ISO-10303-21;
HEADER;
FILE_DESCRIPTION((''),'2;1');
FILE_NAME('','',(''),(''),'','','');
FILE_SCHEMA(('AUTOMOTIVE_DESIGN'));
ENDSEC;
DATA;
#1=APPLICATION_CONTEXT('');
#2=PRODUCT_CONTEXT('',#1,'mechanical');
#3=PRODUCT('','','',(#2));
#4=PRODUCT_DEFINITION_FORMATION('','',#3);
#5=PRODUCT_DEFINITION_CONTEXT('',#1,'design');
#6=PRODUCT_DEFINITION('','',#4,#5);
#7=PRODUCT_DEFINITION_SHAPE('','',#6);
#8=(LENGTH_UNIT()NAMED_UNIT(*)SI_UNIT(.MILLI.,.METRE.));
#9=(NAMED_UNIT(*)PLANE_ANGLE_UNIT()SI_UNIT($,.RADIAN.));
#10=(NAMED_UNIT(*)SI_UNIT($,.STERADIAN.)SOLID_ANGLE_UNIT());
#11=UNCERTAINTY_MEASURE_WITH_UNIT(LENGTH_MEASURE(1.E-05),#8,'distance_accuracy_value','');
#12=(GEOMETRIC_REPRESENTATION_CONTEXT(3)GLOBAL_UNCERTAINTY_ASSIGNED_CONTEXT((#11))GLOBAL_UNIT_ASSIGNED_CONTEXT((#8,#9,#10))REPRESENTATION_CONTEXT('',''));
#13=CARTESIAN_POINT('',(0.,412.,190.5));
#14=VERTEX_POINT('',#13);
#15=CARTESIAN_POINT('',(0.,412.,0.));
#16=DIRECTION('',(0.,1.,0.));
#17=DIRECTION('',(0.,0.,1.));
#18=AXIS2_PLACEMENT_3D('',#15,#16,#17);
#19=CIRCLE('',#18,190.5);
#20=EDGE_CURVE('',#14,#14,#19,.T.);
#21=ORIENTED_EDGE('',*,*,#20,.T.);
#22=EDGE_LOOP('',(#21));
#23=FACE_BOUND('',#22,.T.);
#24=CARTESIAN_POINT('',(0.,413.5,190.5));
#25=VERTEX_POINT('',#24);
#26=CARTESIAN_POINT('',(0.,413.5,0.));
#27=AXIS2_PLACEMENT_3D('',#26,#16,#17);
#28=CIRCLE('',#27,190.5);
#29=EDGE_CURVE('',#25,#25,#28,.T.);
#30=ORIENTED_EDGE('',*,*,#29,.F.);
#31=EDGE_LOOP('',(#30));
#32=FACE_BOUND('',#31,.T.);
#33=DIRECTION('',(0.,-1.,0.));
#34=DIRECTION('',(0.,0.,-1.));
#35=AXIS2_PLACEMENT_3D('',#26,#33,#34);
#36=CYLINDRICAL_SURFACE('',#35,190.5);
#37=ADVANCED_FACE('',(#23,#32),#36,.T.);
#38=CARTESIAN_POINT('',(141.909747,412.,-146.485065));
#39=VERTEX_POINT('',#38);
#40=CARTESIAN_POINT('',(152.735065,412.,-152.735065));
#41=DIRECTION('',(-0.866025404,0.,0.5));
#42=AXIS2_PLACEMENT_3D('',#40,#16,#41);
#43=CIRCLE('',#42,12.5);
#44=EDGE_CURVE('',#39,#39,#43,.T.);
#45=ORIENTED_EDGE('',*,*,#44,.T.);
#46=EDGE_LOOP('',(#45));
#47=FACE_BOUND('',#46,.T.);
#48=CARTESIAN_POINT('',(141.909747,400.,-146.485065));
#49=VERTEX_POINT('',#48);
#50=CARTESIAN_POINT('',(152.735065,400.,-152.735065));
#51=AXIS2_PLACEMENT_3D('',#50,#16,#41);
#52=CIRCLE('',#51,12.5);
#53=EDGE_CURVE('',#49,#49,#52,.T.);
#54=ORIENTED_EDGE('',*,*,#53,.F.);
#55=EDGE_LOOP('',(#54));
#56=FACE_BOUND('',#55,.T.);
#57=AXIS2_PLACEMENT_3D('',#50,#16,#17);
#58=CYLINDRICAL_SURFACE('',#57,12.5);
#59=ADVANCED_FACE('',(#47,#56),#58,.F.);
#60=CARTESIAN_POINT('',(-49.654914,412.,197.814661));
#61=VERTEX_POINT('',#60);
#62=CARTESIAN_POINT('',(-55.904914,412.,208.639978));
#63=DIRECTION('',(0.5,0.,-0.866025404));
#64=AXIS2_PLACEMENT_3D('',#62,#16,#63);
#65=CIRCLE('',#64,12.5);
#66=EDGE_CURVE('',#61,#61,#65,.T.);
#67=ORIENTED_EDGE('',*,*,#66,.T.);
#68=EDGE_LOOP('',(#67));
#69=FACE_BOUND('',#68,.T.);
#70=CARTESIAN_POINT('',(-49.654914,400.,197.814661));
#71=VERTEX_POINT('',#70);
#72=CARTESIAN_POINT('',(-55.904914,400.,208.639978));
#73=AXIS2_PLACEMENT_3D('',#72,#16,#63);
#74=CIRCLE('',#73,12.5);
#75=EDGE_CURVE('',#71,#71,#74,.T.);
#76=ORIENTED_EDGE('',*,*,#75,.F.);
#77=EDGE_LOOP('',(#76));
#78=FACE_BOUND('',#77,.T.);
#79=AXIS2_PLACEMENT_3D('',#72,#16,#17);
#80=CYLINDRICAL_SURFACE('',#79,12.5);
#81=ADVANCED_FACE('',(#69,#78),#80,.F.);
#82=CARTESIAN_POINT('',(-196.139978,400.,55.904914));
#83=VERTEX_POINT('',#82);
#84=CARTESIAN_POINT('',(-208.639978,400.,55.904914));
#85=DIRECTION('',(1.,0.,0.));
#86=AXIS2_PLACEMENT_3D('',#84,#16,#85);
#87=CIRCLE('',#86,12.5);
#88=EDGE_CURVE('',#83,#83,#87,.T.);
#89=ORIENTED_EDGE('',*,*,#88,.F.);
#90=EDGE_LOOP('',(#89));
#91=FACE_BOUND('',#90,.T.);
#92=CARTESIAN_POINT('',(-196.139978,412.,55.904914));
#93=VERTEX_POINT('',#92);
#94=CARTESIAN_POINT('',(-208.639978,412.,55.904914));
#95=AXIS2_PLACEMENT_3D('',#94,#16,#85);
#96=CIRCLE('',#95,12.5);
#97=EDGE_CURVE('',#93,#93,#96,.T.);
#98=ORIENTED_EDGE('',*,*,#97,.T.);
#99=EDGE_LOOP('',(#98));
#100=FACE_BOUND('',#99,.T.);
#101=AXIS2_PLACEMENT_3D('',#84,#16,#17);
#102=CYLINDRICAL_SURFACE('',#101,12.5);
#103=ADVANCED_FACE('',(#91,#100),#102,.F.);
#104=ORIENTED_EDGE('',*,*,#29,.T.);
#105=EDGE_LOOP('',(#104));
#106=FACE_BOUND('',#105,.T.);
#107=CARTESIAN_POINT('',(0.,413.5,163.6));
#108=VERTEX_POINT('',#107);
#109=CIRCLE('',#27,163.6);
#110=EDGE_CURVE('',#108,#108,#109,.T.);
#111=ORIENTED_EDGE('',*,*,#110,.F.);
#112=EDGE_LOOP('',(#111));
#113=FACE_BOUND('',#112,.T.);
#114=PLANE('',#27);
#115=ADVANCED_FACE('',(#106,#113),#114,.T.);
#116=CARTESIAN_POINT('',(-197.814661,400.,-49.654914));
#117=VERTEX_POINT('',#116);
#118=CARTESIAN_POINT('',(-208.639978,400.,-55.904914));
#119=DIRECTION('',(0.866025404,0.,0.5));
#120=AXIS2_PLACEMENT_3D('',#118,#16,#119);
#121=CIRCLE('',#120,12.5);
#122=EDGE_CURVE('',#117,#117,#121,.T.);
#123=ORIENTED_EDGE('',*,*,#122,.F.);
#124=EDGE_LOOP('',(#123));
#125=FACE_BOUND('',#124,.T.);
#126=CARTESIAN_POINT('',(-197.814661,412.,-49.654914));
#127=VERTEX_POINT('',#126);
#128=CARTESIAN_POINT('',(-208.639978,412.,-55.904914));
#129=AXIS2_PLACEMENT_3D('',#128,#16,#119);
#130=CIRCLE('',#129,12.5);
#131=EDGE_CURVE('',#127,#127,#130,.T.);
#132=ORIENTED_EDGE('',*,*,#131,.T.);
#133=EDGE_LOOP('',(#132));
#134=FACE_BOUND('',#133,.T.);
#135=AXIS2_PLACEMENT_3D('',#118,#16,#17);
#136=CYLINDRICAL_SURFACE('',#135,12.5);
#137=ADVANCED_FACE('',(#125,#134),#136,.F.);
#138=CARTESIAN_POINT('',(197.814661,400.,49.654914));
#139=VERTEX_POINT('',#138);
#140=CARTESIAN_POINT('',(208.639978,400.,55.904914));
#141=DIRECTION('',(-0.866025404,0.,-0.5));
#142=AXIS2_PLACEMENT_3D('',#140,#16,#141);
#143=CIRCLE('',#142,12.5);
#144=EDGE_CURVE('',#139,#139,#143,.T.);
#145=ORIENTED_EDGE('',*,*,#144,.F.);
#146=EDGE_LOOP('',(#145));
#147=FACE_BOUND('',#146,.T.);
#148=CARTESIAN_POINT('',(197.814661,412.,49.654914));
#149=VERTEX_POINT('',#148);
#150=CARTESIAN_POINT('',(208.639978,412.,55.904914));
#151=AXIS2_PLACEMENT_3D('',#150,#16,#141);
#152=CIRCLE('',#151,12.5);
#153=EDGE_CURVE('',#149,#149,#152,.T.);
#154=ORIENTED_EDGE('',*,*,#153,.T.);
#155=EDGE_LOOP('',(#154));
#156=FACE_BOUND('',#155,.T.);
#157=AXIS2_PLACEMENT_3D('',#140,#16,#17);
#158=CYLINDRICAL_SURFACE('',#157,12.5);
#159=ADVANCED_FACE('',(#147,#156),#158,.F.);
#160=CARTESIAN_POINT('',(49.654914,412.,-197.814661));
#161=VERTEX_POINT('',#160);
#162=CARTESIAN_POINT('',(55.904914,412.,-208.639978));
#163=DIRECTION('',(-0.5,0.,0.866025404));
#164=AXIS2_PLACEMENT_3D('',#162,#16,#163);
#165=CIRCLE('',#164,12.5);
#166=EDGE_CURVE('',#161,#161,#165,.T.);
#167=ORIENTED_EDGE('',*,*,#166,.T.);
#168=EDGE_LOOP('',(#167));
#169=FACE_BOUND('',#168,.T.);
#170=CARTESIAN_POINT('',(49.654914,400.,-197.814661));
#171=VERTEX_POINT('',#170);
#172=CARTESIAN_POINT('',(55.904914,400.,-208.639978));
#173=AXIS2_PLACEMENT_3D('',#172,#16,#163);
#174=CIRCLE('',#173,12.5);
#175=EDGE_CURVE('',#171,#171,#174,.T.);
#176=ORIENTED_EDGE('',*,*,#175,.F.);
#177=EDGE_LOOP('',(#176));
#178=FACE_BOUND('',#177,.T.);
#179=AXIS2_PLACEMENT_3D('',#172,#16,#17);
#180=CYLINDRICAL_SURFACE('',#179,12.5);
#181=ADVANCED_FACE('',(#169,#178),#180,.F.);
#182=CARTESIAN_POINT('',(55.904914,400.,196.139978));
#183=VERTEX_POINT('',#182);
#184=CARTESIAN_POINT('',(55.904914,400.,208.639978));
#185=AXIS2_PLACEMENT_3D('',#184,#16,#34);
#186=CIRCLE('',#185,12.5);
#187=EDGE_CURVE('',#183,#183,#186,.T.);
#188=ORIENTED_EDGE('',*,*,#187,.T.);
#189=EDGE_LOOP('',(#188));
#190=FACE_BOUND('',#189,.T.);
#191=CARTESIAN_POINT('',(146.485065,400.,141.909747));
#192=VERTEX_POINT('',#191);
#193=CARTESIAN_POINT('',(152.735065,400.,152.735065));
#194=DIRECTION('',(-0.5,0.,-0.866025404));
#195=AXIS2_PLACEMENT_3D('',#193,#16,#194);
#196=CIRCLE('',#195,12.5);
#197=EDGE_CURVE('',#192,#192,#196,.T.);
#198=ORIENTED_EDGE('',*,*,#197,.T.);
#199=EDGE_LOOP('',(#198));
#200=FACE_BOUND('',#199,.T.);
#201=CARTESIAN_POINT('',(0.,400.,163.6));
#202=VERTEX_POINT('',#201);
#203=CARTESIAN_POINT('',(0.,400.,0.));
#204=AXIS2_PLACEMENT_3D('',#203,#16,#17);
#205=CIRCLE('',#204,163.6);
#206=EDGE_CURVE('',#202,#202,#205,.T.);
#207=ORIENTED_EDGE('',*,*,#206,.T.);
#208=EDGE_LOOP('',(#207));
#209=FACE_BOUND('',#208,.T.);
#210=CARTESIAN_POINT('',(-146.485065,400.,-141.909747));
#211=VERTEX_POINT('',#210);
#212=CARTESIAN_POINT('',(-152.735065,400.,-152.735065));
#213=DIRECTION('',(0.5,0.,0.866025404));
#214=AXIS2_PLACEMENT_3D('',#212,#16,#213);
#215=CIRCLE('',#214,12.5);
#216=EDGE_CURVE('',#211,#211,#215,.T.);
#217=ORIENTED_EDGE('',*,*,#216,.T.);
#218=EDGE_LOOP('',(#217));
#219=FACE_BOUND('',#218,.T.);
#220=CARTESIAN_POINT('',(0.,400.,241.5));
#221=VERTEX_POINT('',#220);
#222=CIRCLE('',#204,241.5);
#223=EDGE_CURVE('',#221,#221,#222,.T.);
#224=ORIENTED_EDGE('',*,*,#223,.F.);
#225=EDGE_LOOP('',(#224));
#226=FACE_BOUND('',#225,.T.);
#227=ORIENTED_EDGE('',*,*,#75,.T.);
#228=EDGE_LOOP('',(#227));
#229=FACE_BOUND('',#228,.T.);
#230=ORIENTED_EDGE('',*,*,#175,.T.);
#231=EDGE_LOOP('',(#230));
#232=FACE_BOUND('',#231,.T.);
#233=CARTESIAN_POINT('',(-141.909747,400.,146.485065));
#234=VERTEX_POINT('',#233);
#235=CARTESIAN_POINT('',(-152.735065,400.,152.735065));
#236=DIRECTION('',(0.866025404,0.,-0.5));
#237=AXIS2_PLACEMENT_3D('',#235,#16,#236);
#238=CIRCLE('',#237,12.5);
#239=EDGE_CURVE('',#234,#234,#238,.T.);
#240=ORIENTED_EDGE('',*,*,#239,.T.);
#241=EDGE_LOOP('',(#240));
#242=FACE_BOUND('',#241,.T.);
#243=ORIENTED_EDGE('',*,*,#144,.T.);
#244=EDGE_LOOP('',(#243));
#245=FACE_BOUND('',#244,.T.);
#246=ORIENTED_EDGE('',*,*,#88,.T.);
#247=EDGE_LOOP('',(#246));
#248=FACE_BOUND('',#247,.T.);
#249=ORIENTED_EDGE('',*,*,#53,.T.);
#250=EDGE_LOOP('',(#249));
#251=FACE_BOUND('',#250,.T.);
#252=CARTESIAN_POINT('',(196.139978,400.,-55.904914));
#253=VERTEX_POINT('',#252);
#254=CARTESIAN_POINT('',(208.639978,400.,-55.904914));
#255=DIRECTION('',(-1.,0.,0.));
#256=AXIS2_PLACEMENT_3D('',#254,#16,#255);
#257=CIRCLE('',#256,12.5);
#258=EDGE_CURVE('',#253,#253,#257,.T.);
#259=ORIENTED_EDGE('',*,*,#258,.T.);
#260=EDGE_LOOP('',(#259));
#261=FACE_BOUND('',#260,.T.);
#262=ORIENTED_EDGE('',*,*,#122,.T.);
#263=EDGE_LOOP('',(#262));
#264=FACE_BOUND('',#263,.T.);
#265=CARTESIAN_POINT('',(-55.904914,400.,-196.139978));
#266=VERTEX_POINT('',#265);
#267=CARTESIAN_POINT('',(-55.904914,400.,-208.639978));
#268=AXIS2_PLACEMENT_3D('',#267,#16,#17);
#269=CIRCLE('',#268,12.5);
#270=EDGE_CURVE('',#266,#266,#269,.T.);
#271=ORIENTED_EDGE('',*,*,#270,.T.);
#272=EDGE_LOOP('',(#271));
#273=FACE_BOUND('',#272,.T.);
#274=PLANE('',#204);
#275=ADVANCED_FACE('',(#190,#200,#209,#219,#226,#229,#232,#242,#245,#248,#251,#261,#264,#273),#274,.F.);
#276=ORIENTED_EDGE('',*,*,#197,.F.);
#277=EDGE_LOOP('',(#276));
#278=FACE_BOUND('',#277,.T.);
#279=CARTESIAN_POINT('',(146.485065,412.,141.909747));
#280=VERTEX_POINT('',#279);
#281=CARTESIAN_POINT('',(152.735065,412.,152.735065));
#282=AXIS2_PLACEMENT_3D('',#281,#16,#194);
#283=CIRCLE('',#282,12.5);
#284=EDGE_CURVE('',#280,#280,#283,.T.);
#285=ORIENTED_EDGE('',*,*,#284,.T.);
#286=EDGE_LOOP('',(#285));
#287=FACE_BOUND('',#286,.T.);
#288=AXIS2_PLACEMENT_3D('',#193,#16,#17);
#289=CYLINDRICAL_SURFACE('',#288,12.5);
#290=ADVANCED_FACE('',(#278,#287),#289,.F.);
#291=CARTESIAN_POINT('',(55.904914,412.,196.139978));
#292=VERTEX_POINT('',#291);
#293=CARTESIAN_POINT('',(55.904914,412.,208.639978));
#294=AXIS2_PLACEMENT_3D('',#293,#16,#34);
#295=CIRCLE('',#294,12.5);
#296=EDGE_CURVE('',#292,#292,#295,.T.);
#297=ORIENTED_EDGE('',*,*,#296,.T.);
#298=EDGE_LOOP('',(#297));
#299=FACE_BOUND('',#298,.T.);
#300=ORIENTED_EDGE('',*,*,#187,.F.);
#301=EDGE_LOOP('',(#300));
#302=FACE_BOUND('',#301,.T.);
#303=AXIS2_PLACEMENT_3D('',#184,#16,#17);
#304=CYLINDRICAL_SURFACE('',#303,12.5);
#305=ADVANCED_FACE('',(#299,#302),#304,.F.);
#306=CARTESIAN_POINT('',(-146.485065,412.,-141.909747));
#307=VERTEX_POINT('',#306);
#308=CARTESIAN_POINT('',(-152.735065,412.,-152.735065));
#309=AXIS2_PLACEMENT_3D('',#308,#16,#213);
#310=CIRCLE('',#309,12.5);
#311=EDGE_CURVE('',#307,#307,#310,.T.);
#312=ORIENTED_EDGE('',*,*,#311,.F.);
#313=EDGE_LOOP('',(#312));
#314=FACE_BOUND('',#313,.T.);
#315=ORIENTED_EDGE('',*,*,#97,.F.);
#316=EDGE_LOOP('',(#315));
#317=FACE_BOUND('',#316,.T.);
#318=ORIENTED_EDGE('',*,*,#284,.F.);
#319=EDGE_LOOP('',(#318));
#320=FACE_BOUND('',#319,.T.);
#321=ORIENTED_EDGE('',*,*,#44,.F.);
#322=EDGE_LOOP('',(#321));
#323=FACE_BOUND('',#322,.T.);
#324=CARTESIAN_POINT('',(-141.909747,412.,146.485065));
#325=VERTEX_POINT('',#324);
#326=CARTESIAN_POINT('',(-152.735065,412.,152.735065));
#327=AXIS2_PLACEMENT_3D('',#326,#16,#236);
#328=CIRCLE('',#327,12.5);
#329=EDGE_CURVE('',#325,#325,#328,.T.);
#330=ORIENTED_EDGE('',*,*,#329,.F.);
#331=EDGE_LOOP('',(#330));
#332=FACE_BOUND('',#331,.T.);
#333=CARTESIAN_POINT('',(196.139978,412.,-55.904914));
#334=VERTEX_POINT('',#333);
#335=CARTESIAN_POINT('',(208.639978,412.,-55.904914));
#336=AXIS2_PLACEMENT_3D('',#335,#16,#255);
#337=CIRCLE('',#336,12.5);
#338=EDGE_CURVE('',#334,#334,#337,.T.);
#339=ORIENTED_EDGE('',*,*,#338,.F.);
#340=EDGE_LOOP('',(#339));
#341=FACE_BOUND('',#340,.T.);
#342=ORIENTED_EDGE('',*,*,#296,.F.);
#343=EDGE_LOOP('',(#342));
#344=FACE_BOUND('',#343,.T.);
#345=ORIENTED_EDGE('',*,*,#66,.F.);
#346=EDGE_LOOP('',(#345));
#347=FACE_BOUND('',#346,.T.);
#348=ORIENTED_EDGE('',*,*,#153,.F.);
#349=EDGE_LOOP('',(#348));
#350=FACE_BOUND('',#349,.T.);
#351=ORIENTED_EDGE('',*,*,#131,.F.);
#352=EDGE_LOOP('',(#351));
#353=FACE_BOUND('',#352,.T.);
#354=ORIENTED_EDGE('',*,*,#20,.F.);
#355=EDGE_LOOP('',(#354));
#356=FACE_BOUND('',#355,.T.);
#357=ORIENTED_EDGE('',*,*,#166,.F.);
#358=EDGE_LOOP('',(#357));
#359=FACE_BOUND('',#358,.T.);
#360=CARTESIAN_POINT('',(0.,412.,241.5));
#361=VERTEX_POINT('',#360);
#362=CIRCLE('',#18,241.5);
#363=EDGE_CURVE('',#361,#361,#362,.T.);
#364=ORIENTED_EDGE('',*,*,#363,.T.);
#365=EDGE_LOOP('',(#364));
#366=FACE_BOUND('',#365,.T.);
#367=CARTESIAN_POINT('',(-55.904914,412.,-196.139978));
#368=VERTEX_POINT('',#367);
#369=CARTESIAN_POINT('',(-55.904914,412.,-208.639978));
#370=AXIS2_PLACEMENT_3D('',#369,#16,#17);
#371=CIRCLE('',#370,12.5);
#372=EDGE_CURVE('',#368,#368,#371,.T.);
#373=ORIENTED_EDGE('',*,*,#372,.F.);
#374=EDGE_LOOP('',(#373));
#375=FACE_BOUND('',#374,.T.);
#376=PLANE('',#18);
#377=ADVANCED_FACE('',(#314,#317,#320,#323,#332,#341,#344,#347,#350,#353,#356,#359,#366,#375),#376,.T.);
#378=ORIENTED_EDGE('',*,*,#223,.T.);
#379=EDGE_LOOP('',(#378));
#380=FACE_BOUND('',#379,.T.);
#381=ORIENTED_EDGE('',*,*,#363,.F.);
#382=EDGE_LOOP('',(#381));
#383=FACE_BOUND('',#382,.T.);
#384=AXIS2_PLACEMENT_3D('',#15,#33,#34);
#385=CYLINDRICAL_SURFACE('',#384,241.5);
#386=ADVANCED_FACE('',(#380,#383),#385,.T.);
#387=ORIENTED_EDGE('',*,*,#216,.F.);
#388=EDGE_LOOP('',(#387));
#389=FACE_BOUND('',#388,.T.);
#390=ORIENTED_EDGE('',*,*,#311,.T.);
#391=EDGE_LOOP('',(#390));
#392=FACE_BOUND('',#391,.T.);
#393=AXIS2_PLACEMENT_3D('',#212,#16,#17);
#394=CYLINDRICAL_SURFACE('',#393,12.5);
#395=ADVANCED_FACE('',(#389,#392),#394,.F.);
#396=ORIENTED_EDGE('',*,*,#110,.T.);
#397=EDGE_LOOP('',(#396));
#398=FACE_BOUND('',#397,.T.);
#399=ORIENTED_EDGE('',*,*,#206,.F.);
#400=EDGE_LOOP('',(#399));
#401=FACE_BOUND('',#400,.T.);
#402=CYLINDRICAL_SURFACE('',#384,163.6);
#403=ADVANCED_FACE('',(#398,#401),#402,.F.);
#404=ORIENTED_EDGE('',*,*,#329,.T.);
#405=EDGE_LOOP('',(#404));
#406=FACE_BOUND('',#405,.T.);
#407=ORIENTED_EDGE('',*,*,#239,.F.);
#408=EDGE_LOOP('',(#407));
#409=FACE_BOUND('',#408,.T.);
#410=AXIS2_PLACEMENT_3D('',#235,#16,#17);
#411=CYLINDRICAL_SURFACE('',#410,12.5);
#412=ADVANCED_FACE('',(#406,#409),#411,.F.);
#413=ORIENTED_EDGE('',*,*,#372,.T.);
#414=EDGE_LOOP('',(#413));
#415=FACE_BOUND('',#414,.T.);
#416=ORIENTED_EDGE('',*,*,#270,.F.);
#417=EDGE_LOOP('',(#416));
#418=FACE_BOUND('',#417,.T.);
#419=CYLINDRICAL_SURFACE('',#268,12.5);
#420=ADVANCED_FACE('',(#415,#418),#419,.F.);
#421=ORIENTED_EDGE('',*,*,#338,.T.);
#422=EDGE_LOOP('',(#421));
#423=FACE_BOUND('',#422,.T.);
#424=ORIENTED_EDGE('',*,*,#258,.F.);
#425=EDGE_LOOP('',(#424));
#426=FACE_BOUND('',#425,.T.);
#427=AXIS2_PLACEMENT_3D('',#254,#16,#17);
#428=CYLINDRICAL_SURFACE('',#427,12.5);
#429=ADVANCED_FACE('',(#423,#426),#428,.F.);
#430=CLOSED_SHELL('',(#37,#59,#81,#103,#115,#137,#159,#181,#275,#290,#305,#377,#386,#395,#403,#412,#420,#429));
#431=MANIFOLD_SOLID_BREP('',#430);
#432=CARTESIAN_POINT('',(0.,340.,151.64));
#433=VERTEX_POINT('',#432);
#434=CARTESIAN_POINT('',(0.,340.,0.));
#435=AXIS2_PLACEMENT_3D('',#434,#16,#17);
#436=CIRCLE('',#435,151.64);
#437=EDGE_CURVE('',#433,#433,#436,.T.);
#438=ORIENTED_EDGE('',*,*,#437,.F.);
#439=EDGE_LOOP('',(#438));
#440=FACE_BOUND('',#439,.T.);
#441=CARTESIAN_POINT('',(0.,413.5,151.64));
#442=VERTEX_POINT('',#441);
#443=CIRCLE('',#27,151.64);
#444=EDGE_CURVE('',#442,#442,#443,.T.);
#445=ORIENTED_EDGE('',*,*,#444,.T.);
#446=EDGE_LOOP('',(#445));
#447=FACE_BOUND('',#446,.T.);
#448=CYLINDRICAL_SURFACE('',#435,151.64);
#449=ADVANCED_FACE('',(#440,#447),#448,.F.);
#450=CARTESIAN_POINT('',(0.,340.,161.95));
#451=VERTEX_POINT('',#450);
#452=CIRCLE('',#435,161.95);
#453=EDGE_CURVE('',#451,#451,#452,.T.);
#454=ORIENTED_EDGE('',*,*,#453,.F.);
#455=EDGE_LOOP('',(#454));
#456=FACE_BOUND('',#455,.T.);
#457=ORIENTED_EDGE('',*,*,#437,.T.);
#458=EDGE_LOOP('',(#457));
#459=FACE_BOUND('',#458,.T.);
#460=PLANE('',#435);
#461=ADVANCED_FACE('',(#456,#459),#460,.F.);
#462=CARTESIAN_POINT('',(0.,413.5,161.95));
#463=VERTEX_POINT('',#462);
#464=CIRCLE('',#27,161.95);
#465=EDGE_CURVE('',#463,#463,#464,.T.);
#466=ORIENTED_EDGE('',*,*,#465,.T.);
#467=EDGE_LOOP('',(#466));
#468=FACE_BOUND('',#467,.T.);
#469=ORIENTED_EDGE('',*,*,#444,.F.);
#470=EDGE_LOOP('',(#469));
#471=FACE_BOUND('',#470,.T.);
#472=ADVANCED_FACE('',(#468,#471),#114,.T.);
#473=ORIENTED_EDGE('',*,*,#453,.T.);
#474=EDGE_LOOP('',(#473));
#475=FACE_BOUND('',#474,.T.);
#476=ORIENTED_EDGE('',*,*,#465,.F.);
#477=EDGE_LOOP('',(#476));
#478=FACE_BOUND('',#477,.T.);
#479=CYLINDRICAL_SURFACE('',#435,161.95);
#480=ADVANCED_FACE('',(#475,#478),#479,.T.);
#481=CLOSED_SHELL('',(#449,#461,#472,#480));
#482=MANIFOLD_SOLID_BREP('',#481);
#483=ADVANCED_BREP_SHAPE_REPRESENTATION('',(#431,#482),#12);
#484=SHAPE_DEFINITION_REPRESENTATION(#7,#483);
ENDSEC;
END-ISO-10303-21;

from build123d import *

# Parameters (mm, degrees)
SKETCH9_R           = 241.5
SKETCH9_R_2         = 163.6
BOSS_EXTRUDE1_DEPTH = 12
SKETCH10_R          = 12.5
CUT_EXTRUDE1_DEPTH  = 12
CIRPATTERN1_COUNT   = 12
SKETCH11_R          = 190.5
SKETCH11_R_2        = 163.6
BOSS_EXTRUDE2_DEPTH = 1.5
SKETCH12_R          = 161.95
SKETCH12_R_2        = 151.64
BOSS_EXTRUDE3_DEPTH = 73.5


with BuildPart() as part:
    # Sketch9 → Boss-Extrude1 (new body)
    with BuildSketch(Plane(origin=(0, 400, 0), x_dir=(1, 0, 0), z_dir=(0, 1, 0))):
        with Locations(Location((0, 0, 0), (0, 0, 270))):
            Circle(SKETCH9_R)
        with Locations(Location((0, 0, 0), (0, 0, 270))):
            Circle(SKETCH9_R_2, mode=Mode.SUBTRACT)
    extrude(amount=BOSS_EXTRUDE1_DEPTH)

    # Sketch10 → Cut-Extrude1 (cut)
    with BuildSketch(Plane(origin=(0, 412, 0), x_dir=(1, 0, 0), z_dir=(0, 1, 0))):
        with Locations(Location((-55.904913742, 208.639978478, 0), (0, 0, 270))):
            Circle(SKETCH10_R)
    cut_extrude1 = extrude(amount=-CUT_EXTRUDE1_DEPTH, mode=Mode.SUBTRACT)

    # CirPattern1: Cut-Extrude1 ×12 about axis
    cirpattern1_axis = Axis((0, 0, 0), (0, 1, 0))
    for i in range(1, CIRPATTERN1_COUNT):
        add(cut_extrude1.rotate(cirpattern1_axis, i * 360 / CIRPATTERN1_COUNT), mode=Mode.SUBTRACT)

    # Sketch11 → Boss-Extrude2 (add)
    with BuildSketch(Plane(origin=(0, 412, 0), x_dir=(1, 0, 0), z_dir=(0, 1, 0))):
        with Locations(Location((0, 0, 0), (0, 0, 270))):
            Circle(SKETCH11_R)
        with Locations(Location((0, 0, 0), (0, 0, 270))):
            Circle(SKETCH11_R_2, mode=Mode.SUBTRACT)
    extrude(amount=BOSS_EXTRUDE2_DEPTH)


with BuildPart() as body_2:
    # Sketch12 → Boss-Extrude3 (new body)
    with BuildSketch(Plane(origin=(0, 413.5, 0), x_dir=(1, 0, 0), z_dir=(0, 1, 0))):
        with Locations(Location((0, 0, 0), (0, 0, 270))):
            Circle(SKETCH12_R)
        with Locations(Location((0, 0, 0), (0, 0, 270))):
            Circle(SKETCH12_R_2, mode=Mode.SUBTRACT)
    extrude(amount=-BOSS_EXTRUDE3_DEPTH)


solid = Compound([part.part, body_2.part])
